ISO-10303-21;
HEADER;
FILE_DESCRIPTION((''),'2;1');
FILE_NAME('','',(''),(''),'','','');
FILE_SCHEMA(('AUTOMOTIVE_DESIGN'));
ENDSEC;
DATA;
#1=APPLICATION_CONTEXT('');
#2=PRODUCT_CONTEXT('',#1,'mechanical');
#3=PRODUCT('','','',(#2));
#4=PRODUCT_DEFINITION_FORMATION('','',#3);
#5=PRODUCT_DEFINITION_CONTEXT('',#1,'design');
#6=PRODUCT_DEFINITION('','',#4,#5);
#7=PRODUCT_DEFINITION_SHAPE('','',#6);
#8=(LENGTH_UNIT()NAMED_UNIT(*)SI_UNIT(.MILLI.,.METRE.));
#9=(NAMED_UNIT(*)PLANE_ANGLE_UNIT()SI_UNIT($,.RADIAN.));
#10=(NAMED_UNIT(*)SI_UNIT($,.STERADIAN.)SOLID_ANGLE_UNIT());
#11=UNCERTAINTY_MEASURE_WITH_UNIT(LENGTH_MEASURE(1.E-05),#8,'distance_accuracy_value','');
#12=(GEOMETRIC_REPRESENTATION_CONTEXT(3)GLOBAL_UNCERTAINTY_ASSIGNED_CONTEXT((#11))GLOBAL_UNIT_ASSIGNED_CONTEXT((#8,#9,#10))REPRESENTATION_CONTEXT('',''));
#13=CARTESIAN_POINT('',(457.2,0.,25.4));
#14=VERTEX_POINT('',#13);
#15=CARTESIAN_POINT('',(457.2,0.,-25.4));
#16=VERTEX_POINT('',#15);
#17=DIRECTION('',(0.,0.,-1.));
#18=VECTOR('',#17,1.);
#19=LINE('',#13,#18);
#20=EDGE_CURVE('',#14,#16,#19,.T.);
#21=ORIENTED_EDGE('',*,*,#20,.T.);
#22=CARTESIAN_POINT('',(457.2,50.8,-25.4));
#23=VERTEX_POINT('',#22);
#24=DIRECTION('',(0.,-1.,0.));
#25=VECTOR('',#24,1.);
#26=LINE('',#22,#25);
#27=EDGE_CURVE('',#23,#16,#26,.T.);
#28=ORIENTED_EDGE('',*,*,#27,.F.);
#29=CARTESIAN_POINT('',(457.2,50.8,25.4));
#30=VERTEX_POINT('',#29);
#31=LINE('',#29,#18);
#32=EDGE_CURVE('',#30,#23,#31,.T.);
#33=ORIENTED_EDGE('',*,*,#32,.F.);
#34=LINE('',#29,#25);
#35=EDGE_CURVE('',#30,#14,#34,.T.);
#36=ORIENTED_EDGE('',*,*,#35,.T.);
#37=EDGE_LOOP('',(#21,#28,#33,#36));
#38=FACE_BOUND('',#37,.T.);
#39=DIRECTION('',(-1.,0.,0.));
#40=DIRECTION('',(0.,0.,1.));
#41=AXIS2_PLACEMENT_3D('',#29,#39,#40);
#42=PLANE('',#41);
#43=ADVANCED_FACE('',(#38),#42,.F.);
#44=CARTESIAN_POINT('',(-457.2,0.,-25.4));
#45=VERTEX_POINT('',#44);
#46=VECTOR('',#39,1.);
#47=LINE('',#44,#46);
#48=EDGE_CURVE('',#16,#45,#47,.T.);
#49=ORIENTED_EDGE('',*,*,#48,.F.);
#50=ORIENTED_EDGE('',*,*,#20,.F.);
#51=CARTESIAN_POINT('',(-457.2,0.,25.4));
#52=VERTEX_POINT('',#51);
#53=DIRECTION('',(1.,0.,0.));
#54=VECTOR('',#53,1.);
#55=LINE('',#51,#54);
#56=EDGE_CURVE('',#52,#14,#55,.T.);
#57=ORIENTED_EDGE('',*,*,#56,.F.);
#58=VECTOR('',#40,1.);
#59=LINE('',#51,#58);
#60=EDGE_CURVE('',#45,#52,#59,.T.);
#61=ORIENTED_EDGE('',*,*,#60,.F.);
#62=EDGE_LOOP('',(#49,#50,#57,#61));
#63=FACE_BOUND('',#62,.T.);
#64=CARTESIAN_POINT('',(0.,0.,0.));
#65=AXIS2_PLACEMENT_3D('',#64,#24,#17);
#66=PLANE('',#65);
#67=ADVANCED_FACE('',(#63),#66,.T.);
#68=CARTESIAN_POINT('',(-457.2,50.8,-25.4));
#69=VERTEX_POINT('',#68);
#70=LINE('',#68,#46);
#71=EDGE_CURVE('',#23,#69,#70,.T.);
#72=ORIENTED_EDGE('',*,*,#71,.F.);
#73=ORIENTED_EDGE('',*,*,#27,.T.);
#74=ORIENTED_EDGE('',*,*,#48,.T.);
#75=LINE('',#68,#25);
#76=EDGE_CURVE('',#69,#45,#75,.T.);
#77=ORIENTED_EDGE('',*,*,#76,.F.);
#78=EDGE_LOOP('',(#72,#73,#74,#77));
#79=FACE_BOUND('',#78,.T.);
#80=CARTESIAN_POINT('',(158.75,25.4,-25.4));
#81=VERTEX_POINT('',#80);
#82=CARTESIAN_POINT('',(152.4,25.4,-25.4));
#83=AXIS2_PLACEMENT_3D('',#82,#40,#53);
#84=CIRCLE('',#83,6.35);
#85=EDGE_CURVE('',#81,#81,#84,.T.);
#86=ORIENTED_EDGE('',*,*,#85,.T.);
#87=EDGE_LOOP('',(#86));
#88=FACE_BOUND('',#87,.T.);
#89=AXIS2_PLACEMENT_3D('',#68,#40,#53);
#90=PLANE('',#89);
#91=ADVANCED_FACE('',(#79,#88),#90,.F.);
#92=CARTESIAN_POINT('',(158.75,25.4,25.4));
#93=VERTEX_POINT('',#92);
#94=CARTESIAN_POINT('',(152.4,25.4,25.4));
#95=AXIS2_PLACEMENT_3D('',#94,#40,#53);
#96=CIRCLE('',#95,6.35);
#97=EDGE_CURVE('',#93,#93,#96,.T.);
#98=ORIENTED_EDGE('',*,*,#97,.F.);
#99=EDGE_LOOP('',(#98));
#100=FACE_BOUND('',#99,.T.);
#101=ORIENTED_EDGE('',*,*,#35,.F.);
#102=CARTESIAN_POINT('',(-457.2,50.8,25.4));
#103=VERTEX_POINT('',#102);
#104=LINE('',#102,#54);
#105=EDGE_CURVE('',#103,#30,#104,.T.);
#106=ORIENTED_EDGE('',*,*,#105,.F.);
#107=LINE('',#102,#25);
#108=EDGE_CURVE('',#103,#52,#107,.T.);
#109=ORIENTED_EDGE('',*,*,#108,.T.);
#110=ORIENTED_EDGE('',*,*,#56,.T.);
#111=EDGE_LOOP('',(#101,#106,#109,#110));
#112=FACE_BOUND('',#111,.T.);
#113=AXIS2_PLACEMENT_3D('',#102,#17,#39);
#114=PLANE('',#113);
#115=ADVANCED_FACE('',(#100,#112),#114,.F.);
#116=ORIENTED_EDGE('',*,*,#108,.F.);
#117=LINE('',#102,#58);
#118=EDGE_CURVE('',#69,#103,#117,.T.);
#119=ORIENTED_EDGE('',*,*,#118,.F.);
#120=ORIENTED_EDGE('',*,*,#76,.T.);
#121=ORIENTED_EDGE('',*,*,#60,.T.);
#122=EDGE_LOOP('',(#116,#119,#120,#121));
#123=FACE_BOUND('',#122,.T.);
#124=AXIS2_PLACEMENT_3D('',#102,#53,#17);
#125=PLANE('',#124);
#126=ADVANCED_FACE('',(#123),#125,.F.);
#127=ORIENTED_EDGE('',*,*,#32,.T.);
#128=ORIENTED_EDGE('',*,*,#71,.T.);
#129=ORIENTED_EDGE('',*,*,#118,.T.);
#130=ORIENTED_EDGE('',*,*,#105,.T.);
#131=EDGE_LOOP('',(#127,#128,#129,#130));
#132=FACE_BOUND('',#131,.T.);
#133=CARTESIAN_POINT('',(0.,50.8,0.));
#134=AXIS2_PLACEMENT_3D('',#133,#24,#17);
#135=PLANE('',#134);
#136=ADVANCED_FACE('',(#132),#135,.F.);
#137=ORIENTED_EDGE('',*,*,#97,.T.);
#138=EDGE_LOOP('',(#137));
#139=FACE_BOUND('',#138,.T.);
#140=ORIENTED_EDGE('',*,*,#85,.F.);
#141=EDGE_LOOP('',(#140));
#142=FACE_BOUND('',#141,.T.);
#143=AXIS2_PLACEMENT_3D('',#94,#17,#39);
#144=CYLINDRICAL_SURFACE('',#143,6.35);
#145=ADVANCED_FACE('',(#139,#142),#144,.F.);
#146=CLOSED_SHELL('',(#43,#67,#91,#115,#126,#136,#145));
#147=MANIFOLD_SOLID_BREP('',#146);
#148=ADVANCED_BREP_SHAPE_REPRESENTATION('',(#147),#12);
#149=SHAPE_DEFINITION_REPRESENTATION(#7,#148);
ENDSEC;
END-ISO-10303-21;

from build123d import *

# Parameters (mm, degrees)
SKETCH1_W               = 914.4
SKETCH1_H               = 50.8
BOSS_EXTRUDE1_DEPTH     = 50.8
SKETCH2_R               = 6.35
CUT_EXTRUDE1_DEPTH      = 26.4
CUT_EXTRUDE1_DEPTH_BACK = 26.4


with BuildPart() as part:
    # Sketch1 → Boss-Extrude1 (new body)
    with BuildSketch(Plane(origin=(0, 0, 0), x_dir=(1, 0, 0), z_dir=(0, 1, 0))):
        Rectangle(SKETCH1_W, SKETCH1_H)
    extrude(amount=BOSS_EXTRUDE1_DEPTH)

    # Sketch2 → Cut-Extrude1 (cut, two sides)
    with BuildSketch(Plane.XY) as cut_extrude1_sk:
        with Locations((152.4, 25.4)):
            Circle(SKETCH2_R)
    extrude(amount=CUT_EXTRUDE1_DEPTH, mode=Mode.SUBTRACT)
    extrude(cut_extrude1_sk.sketch, amount=-CUT_EXTRUDE1_DEPTH_BACK, mode=Mode.SUBTRACT)


solid = part.part
